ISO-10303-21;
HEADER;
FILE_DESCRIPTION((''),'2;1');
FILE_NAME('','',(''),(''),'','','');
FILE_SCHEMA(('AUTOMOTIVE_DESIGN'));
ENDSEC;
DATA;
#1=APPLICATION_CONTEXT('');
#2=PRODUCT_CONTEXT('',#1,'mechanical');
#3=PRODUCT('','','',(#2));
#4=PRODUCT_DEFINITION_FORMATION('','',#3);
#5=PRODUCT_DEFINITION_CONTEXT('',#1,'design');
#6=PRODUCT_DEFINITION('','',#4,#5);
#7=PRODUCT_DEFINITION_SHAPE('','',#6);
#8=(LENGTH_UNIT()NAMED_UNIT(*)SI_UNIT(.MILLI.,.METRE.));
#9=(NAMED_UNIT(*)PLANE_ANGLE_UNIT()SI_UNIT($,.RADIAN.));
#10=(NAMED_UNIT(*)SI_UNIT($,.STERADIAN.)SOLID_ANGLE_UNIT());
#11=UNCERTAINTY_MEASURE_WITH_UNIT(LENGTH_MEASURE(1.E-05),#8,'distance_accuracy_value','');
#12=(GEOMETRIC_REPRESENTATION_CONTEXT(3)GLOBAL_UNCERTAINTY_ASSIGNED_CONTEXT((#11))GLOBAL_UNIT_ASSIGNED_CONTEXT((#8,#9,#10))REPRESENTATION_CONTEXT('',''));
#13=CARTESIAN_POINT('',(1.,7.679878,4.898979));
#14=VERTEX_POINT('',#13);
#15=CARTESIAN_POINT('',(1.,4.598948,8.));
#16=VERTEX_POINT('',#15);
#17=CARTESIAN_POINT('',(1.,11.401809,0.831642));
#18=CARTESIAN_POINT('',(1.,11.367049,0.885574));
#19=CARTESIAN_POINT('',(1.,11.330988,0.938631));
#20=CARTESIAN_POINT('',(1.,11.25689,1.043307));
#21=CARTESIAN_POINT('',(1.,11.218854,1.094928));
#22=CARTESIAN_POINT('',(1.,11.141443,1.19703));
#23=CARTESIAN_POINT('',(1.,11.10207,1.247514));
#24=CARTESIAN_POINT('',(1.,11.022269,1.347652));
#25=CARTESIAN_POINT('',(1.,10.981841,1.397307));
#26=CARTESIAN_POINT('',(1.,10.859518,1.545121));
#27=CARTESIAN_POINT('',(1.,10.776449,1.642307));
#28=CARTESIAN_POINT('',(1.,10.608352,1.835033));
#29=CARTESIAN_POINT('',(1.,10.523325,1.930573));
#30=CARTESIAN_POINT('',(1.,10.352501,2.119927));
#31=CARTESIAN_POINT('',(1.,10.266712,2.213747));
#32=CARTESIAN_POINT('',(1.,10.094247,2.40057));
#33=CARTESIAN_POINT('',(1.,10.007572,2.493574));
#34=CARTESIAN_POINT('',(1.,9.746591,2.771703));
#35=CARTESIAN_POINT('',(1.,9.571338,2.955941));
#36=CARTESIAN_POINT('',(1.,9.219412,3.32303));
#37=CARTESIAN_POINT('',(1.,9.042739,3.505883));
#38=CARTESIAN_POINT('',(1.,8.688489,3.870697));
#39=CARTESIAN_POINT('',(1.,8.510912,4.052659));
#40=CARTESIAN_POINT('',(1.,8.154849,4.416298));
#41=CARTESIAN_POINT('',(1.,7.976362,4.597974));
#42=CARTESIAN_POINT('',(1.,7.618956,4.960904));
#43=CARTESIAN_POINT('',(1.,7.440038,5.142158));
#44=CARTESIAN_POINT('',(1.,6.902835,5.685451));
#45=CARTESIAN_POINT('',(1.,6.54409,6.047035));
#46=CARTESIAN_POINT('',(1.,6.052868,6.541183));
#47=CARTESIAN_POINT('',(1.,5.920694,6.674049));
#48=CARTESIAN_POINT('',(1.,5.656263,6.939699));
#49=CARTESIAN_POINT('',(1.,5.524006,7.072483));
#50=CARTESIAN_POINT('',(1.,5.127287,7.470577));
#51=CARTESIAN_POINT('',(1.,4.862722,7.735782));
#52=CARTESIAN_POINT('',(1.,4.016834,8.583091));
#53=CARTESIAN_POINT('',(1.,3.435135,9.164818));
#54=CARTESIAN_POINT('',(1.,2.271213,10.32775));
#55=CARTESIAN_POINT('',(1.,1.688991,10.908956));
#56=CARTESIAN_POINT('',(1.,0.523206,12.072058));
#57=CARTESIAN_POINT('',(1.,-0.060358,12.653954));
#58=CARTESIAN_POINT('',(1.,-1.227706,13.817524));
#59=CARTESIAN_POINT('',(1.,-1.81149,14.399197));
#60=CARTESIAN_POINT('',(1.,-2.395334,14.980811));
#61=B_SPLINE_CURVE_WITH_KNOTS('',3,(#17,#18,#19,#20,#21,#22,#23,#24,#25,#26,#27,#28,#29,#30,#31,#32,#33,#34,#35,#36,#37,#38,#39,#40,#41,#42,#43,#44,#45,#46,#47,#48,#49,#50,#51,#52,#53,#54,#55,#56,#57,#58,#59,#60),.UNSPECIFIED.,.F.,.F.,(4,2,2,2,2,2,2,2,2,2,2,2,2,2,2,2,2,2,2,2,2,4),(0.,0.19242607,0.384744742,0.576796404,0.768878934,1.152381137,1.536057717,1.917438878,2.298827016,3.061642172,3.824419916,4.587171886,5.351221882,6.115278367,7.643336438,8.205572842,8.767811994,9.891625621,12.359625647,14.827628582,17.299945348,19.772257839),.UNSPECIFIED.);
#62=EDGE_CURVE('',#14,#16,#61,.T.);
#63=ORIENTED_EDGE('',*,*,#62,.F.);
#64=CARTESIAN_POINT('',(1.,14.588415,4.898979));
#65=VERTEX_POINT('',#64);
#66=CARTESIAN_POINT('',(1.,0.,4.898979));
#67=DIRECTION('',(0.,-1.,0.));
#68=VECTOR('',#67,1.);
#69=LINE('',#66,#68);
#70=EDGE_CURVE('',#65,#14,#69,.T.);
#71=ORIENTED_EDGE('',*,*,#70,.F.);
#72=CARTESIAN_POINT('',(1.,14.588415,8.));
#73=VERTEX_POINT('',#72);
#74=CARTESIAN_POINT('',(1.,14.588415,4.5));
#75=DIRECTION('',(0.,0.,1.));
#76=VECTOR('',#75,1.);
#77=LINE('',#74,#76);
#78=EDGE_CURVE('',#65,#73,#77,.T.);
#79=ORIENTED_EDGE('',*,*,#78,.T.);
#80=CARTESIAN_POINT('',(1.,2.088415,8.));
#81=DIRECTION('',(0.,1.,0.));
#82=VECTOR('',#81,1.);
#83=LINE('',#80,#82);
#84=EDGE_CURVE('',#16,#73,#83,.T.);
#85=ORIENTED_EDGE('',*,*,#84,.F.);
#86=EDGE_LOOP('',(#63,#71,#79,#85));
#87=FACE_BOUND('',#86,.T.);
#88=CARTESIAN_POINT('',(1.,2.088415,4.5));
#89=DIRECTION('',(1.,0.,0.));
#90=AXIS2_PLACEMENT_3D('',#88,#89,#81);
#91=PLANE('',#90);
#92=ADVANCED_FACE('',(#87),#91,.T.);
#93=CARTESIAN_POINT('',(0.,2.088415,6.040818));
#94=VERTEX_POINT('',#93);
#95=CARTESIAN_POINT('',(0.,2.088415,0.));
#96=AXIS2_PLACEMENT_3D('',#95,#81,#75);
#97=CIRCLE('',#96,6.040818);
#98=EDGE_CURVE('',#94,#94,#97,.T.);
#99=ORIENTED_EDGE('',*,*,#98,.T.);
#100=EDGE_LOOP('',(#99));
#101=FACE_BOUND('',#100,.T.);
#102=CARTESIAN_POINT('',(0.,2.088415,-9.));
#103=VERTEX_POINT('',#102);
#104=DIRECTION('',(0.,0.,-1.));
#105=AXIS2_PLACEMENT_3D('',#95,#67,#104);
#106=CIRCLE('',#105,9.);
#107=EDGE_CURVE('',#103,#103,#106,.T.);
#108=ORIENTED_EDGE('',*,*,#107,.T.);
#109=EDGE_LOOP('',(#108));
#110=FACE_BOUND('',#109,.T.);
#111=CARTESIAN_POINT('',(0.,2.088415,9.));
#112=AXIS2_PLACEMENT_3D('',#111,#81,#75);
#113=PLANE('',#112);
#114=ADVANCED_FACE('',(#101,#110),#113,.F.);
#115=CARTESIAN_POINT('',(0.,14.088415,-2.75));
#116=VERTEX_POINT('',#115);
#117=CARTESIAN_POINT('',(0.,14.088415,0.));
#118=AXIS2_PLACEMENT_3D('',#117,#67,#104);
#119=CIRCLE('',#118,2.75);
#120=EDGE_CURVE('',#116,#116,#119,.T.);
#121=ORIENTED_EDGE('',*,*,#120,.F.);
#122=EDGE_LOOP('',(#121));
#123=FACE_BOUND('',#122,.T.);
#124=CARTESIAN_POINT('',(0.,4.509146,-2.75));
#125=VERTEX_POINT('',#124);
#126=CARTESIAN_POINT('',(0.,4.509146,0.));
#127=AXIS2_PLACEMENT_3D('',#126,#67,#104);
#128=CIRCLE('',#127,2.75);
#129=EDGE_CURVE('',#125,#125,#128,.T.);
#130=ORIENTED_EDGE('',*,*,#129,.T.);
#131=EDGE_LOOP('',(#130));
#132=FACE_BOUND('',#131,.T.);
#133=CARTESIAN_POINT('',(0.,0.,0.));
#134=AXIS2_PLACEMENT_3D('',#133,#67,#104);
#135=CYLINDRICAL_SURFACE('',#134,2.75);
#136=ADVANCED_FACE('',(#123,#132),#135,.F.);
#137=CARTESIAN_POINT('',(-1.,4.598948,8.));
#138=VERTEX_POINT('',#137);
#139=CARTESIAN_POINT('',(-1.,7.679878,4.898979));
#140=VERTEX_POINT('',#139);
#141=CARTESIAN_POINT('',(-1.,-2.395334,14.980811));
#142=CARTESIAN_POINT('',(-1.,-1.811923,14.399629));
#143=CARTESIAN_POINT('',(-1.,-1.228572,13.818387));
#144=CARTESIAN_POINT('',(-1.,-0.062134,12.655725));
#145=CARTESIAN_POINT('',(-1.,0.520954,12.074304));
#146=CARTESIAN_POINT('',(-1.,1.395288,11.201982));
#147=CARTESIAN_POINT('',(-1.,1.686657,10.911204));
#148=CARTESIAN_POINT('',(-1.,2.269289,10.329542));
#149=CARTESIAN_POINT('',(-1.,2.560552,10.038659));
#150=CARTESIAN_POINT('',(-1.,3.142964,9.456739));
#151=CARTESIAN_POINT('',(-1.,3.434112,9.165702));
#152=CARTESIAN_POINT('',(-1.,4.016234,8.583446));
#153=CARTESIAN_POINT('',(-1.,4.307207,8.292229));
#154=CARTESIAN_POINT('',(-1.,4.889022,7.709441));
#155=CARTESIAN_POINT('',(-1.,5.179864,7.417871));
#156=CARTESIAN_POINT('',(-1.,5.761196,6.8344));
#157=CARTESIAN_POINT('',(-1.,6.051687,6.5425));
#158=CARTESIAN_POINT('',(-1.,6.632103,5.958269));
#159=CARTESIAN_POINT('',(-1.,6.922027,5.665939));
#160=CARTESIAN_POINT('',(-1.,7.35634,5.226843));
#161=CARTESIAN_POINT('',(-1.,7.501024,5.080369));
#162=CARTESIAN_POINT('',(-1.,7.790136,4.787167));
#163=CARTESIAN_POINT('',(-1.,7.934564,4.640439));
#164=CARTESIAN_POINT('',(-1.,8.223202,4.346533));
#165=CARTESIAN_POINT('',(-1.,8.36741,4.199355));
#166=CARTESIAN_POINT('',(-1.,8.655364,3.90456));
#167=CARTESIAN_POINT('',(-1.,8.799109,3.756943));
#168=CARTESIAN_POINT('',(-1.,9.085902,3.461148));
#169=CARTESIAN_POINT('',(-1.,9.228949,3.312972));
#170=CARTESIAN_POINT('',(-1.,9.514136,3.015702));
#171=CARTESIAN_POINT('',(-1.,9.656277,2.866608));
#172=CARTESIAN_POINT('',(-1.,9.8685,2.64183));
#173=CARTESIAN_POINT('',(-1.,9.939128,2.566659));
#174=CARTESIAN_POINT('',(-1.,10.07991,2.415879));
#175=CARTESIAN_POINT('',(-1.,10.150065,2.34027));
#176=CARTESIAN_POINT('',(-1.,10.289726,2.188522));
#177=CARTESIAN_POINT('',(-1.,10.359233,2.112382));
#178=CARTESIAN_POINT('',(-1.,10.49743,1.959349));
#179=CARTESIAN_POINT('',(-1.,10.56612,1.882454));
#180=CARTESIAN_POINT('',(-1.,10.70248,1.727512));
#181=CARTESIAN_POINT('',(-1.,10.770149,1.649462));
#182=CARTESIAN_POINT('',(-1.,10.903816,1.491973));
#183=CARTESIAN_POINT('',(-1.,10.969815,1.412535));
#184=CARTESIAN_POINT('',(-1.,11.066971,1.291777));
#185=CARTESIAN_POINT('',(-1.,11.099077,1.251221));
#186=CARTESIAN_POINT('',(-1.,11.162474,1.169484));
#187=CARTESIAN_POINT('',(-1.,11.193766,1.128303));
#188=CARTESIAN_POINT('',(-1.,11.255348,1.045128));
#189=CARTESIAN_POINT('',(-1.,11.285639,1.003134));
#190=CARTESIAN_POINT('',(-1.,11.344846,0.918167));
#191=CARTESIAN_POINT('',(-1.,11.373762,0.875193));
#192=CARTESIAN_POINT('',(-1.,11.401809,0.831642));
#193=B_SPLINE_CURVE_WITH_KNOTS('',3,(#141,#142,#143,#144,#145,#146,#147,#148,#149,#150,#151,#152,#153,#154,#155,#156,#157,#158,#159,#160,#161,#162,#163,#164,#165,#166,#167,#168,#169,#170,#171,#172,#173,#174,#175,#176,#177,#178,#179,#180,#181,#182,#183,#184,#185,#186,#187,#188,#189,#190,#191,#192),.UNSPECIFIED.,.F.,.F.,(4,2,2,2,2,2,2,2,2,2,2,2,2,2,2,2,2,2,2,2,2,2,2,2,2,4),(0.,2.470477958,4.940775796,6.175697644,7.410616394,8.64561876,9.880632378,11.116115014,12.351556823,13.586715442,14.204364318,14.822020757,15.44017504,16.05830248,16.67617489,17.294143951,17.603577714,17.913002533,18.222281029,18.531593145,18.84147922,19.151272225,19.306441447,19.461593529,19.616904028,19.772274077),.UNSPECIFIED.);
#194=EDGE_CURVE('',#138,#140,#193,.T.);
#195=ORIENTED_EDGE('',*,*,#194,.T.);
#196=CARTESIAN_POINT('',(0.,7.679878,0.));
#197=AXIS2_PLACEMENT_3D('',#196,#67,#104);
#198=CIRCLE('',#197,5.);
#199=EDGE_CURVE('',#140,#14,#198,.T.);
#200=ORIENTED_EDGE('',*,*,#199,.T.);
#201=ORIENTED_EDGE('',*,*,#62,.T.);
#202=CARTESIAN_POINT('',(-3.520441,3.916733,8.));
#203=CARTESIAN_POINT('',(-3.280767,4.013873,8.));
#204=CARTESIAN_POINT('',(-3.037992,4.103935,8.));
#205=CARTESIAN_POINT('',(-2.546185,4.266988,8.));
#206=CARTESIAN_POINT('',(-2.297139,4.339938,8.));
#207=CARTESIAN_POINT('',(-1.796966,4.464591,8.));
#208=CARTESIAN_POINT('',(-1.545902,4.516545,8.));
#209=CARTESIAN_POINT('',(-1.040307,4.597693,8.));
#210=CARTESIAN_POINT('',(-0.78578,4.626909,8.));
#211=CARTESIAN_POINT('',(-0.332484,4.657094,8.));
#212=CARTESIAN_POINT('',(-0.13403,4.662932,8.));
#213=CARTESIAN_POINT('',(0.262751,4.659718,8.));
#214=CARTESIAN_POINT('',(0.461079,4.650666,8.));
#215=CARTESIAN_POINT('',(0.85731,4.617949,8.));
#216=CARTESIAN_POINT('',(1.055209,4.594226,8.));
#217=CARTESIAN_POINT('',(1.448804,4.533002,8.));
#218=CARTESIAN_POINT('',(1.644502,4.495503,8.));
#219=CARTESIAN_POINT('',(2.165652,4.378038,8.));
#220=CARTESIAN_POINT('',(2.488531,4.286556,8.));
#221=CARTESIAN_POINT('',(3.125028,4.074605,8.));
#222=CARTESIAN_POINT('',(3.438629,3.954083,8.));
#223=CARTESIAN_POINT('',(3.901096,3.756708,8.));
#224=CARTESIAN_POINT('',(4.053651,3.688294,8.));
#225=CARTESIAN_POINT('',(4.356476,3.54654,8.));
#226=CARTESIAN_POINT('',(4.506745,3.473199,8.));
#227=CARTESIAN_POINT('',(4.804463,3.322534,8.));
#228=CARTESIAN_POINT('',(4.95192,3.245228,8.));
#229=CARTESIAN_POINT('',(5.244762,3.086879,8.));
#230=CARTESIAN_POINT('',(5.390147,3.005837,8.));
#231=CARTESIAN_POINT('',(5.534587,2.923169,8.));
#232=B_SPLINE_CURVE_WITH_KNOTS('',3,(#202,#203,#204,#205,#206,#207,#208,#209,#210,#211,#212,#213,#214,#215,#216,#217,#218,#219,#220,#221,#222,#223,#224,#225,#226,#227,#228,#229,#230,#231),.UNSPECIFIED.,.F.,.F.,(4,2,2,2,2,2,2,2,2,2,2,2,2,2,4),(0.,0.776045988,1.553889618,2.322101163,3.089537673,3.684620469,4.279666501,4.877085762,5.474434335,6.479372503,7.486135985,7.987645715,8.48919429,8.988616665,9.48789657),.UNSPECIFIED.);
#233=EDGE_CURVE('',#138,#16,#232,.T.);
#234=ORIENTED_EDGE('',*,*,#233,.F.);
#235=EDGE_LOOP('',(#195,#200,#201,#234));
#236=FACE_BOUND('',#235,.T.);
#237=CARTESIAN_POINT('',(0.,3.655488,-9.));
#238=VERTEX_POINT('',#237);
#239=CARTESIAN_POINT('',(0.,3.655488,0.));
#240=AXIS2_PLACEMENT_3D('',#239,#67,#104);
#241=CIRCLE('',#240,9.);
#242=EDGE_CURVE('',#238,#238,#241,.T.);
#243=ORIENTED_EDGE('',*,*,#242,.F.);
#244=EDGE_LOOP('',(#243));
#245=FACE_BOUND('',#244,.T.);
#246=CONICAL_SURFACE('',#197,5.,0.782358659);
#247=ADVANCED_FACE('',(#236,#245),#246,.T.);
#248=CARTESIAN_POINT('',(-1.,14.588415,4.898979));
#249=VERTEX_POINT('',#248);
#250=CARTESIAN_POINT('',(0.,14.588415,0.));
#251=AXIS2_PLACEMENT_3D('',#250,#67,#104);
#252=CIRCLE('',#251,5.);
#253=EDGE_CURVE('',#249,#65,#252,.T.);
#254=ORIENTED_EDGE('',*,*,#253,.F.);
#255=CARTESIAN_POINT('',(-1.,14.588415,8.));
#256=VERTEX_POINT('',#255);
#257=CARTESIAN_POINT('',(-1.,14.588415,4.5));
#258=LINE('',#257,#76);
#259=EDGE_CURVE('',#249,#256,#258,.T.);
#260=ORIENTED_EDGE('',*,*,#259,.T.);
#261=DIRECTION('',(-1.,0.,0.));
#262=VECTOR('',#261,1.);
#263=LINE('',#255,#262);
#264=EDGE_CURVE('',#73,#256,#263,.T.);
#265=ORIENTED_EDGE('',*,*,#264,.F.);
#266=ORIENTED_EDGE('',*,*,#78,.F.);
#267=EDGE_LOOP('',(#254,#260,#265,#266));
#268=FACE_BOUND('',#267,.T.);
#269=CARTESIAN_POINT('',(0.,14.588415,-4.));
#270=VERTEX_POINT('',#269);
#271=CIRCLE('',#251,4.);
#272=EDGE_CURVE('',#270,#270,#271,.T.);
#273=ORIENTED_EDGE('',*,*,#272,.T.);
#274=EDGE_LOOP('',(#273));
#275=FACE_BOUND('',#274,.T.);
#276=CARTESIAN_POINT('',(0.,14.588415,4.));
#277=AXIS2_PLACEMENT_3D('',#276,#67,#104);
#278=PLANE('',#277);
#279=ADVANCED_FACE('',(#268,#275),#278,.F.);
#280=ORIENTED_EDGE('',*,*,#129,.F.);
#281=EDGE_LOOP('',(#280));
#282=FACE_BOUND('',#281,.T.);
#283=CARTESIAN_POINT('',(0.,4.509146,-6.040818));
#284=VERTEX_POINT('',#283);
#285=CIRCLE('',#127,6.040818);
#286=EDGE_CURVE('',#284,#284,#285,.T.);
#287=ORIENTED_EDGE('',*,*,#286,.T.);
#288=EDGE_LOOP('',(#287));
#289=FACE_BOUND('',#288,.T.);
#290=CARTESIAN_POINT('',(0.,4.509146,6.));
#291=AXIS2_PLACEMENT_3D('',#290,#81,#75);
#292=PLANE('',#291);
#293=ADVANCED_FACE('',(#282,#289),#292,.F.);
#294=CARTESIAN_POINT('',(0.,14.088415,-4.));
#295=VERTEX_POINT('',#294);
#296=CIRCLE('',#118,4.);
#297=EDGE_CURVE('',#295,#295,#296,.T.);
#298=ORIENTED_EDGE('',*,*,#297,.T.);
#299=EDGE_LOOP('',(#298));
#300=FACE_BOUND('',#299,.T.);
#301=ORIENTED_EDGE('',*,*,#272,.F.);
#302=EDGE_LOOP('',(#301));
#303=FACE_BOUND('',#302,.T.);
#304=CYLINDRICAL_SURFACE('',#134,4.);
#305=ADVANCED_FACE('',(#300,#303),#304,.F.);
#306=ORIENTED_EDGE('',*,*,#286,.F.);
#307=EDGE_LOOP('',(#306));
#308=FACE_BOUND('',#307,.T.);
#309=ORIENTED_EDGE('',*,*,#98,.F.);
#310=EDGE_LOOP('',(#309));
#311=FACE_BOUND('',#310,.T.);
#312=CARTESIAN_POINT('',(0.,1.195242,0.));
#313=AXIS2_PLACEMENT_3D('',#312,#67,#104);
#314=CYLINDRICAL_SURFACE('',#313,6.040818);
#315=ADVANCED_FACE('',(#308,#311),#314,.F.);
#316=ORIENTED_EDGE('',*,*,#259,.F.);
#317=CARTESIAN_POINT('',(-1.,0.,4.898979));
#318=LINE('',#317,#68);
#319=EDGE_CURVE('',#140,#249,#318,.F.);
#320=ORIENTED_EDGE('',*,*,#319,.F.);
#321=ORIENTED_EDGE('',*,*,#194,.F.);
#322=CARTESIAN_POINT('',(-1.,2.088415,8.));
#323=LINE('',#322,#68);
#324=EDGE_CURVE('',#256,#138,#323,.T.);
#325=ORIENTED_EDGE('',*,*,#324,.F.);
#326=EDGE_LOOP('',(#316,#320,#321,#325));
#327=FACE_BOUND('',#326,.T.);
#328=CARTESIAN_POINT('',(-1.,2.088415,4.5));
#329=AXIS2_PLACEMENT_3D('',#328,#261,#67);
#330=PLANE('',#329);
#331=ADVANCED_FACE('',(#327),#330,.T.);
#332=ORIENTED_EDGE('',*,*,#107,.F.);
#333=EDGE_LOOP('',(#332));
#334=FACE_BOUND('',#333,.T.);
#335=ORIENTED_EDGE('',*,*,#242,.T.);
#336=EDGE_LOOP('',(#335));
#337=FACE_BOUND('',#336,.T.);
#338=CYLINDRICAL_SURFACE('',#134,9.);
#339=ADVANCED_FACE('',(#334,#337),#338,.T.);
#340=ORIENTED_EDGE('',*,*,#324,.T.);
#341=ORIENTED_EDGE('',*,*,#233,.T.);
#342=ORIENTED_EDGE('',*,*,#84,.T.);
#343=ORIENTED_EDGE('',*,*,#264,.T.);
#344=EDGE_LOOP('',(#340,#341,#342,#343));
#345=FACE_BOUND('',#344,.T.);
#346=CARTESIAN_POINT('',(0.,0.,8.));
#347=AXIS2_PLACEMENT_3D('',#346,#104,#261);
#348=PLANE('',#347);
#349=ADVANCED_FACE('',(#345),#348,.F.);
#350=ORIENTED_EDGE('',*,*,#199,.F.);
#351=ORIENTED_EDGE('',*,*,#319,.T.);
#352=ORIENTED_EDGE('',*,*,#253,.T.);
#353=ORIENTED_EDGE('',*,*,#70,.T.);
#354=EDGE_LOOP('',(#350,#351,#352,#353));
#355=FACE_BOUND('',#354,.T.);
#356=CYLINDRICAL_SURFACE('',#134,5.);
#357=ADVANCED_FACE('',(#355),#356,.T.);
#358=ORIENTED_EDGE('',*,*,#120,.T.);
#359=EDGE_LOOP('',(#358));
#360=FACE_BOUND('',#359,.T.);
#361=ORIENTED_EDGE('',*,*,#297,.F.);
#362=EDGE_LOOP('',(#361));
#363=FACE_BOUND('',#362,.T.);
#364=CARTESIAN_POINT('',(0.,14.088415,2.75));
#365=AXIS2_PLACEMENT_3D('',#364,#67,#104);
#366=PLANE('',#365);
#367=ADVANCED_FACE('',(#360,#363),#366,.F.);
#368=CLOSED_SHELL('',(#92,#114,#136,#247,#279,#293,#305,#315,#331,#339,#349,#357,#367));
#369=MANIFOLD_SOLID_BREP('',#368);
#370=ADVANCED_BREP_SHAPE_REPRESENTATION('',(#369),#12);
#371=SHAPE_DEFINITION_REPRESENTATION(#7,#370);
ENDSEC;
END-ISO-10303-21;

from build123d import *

# Parameters (mm, degrees)
SKETCH2_W           = 2
SKETCH2_H           = 12.5
BOSS_EXTRUDE1_DEPTH = 3.5
SKETCH3_W           = 6.040817985
SKETCH3_H           = 3.31390433


with BuildPart() as part:
    # Sketch1 → Revolve1 (revolve)
    with BuildSketch(Plane(origin=(0, 0, 0), x_dir=(0, 0, -1), z_dir=(1, 0, 0))):
        Polygon((-4, 14.088414634), (-4, 14.588414634), (-5, 14.588414634), (-5, 7.679878049), (-9, 3.655487805), (-9, 2.088414634), (-6, 2.088414634), (-6, 4.509146341), (-2.75, 4.509146341), (-2.75, 14.088414634), align=None)
    revolve(axis=Axis((0, 0, 0), (0, 1, 0)))

    # Sketch2 → Boss-Extrude1 (add)
    with BuildSketch(Plane.XY.offset(8)):
        with Locations((0, 8.338414634)):
            Rectangle(SKETCH2_W, SKETCH2_H)
    extrude(amount=-BOSS_EXTRUDE1_DEPTH)

    # Sketch3 → Cut-Revolve1 (revolve, cut)
    with BuildSketch(Plane(origin=(0, 0, 0), x_dir=(0, 0, -1), z_dir=(1, 0, 0))):
        with Locations((3.020408993, 2.852194176)):
            Rectangle(SKETCH3_W, SKETCH3_H)
    revolve(axis=Axis((0, 1.195242011, 0), (0, 1, 0)), mode=Mode.SUBTRACT)


solid = part.part
